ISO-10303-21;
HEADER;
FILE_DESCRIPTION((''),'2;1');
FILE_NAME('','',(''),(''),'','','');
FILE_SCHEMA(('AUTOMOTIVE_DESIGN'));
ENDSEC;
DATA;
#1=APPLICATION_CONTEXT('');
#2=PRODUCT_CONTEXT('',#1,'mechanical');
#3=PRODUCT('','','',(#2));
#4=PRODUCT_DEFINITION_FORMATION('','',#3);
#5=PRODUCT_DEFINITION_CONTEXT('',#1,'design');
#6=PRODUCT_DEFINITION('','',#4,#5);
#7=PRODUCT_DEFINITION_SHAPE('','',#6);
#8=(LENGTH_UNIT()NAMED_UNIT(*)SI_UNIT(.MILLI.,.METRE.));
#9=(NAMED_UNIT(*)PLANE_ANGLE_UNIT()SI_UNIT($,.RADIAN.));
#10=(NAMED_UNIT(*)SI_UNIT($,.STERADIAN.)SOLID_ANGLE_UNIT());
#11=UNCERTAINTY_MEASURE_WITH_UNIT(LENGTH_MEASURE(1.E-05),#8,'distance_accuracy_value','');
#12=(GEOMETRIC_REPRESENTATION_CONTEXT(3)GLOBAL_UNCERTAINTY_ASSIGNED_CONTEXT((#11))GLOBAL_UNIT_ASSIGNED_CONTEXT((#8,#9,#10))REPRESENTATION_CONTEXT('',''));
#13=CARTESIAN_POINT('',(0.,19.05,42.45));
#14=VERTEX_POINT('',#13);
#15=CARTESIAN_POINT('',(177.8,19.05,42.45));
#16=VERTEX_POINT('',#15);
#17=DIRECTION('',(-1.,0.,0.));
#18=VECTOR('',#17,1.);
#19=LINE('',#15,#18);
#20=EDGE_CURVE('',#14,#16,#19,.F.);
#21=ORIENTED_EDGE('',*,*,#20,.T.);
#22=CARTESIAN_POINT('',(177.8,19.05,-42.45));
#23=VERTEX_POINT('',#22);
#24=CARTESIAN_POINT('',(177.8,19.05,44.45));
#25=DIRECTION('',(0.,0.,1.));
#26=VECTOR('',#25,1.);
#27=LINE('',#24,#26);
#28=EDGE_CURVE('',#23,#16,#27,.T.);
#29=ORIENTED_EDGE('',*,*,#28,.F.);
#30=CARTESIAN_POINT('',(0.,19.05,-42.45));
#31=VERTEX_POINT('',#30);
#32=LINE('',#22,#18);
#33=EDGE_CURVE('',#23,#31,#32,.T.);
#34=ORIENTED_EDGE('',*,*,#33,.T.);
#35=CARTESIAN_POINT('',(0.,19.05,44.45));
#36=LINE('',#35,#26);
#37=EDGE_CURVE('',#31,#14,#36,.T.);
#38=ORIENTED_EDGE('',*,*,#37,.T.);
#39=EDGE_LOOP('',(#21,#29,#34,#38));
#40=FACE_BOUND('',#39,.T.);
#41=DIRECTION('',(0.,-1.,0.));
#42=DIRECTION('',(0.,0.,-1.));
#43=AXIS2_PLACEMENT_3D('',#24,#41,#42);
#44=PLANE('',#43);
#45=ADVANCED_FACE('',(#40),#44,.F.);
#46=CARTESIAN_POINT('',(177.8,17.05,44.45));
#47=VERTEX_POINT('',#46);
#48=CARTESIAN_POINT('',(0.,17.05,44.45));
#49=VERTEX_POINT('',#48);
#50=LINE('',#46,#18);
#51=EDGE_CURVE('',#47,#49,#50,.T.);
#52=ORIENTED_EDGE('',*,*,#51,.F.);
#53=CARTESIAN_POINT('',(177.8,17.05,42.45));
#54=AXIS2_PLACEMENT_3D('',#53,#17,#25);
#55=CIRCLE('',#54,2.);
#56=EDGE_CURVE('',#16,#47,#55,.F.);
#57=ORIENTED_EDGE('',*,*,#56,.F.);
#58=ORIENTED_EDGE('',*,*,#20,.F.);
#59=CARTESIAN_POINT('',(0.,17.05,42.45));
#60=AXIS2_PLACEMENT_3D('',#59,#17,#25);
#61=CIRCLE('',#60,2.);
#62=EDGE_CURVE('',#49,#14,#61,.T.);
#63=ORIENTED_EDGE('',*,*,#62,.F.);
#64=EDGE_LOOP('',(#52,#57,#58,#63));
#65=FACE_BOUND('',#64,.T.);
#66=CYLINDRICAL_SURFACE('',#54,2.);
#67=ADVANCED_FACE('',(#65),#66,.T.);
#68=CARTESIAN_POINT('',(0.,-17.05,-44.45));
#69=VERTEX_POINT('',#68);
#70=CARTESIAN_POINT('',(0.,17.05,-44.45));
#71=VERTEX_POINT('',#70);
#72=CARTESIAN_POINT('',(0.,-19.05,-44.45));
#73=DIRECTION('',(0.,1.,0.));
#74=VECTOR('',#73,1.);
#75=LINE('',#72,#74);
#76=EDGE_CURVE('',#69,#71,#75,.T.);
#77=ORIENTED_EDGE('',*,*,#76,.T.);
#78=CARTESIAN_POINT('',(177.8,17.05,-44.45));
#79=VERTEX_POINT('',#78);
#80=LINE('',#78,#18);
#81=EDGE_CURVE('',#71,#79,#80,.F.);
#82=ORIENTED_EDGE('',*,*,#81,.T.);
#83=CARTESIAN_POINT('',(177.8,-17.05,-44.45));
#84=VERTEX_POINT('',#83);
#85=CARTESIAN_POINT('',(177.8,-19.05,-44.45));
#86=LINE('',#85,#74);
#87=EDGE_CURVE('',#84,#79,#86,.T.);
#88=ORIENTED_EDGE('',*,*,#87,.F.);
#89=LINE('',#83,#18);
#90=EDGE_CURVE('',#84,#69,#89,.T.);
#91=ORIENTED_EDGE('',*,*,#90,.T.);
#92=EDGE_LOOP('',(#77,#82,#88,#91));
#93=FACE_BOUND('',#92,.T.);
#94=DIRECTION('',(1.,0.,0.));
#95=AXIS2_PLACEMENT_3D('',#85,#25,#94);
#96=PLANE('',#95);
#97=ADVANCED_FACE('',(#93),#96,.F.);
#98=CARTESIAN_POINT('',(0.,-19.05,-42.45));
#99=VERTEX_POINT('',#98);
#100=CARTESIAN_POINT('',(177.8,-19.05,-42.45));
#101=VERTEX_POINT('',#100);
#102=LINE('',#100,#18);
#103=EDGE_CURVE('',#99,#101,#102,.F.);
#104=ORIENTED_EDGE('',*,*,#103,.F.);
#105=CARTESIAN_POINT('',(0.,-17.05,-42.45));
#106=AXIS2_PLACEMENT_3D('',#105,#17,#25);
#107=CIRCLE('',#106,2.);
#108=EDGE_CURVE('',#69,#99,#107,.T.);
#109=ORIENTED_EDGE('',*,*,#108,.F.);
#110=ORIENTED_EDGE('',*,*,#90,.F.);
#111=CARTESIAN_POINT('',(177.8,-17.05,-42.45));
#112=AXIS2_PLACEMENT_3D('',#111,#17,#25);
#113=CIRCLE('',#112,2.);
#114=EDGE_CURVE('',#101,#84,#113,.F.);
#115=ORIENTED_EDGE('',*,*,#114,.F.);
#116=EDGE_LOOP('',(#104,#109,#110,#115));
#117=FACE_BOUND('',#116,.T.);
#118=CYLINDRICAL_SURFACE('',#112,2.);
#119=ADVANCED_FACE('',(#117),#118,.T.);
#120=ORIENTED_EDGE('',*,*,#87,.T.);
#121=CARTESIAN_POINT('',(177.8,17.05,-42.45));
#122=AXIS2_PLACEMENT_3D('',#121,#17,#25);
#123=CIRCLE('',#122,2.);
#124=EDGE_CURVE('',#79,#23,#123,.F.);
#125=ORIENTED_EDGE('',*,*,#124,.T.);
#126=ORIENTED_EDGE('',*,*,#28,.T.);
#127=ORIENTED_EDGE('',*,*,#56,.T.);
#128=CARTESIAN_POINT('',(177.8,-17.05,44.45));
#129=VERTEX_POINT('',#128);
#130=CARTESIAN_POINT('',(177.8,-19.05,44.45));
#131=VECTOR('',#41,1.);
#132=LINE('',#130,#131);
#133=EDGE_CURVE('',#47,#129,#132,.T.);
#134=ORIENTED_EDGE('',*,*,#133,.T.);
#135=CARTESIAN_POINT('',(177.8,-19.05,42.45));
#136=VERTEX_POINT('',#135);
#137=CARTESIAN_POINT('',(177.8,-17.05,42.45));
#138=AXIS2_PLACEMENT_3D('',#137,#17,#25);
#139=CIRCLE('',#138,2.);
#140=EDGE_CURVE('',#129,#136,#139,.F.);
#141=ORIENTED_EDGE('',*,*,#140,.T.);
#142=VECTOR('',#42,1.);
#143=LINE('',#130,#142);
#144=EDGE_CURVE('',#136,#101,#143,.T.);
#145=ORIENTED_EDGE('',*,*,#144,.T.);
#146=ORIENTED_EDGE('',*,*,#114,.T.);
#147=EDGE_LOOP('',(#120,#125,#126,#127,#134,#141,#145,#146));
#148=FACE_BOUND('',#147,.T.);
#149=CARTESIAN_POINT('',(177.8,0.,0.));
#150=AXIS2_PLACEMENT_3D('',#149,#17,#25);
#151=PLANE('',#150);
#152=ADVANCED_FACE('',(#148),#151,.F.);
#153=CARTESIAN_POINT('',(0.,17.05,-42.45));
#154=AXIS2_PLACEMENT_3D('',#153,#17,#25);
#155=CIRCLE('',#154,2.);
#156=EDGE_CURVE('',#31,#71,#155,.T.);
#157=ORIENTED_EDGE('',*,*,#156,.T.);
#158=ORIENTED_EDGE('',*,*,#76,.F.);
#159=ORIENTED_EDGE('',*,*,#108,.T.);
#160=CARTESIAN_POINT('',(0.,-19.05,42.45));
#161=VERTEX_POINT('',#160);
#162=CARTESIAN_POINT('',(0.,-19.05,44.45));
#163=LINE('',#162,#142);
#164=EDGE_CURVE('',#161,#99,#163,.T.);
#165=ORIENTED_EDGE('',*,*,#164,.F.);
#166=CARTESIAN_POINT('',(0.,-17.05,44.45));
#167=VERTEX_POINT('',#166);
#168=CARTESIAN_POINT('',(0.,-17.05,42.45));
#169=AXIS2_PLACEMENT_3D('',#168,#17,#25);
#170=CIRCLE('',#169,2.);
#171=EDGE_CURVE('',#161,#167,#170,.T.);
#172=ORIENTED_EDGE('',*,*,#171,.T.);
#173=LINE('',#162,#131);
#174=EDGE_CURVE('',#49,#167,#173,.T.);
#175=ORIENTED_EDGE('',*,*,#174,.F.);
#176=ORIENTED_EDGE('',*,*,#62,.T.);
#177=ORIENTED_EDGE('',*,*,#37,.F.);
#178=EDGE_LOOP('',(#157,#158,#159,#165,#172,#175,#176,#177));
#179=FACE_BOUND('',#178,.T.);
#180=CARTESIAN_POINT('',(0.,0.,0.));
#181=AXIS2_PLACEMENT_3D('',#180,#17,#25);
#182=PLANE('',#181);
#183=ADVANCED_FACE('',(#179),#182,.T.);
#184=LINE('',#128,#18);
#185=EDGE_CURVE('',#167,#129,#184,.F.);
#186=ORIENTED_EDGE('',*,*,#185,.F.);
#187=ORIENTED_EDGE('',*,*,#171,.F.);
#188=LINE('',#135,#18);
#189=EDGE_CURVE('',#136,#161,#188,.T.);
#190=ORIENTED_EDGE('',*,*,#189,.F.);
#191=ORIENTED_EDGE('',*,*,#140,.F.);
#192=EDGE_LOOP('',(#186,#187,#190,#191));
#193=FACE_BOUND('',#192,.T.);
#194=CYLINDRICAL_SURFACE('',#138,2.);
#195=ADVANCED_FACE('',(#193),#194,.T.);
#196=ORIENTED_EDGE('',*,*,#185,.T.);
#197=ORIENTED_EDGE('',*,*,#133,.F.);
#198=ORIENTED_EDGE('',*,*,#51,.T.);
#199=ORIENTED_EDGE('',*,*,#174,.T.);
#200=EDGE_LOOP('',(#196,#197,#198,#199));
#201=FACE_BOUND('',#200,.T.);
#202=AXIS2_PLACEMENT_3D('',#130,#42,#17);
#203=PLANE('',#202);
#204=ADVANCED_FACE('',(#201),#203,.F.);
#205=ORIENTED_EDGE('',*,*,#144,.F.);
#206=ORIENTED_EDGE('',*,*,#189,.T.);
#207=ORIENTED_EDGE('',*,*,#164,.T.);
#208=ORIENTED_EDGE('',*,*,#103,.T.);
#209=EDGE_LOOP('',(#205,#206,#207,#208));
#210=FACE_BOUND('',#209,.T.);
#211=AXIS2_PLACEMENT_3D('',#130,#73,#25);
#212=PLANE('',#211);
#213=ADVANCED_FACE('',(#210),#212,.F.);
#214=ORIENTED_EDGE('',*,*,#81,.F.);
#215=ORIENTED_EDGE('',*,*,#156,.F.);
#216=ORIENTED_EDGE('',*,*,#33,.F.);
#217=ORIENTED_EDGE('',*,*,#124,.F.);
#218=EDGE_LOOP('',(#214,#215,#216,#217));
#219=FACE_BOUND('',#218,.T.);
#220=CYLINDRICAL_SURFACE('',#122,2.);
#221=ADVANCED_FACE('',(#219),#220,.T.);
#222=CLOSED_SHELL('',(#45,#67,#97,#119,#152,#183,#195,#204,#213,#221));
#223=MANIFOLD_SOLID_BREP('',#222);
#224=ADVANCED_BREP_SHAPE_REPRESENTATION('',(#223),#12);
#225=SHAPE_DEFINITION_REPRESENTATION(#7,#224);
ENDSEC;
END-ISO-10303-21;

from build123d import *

# Parameters (mm, degrees)
SKETCH1_W           = 88.9
SKETCH1_H           = 38.1
BOSS_EXTRUDE1_DEPTH = 177.8
FILLET1_R           = 2


with BuildPart() as part:
    # Sketch1 → Boss-Extrude1 (new body)
    with BuildSketch(Plane(origin=(0, 0, 0), x_dir=(0, 0, -1), z_dir=(1, 0, 0))):
        Rectangle(SKETCH1_W, SKETCH1_H)
    extrude(amount=BOSS_EXTRUDE1_DEPTH)

    # Fillet1
    fillet1_edges = [part.edges().sort_by_distance(p)[0] for p in [
        (88.9, -19.05, -44.45),
        (88.9, -19.05, 44.45),
        (88.9, 19.05, 44.45),
        (88.9, 19.05, -44.45),
    ]]
    fillet(fillet1_edges, radius=FILLET1_R)


solid = part.part
